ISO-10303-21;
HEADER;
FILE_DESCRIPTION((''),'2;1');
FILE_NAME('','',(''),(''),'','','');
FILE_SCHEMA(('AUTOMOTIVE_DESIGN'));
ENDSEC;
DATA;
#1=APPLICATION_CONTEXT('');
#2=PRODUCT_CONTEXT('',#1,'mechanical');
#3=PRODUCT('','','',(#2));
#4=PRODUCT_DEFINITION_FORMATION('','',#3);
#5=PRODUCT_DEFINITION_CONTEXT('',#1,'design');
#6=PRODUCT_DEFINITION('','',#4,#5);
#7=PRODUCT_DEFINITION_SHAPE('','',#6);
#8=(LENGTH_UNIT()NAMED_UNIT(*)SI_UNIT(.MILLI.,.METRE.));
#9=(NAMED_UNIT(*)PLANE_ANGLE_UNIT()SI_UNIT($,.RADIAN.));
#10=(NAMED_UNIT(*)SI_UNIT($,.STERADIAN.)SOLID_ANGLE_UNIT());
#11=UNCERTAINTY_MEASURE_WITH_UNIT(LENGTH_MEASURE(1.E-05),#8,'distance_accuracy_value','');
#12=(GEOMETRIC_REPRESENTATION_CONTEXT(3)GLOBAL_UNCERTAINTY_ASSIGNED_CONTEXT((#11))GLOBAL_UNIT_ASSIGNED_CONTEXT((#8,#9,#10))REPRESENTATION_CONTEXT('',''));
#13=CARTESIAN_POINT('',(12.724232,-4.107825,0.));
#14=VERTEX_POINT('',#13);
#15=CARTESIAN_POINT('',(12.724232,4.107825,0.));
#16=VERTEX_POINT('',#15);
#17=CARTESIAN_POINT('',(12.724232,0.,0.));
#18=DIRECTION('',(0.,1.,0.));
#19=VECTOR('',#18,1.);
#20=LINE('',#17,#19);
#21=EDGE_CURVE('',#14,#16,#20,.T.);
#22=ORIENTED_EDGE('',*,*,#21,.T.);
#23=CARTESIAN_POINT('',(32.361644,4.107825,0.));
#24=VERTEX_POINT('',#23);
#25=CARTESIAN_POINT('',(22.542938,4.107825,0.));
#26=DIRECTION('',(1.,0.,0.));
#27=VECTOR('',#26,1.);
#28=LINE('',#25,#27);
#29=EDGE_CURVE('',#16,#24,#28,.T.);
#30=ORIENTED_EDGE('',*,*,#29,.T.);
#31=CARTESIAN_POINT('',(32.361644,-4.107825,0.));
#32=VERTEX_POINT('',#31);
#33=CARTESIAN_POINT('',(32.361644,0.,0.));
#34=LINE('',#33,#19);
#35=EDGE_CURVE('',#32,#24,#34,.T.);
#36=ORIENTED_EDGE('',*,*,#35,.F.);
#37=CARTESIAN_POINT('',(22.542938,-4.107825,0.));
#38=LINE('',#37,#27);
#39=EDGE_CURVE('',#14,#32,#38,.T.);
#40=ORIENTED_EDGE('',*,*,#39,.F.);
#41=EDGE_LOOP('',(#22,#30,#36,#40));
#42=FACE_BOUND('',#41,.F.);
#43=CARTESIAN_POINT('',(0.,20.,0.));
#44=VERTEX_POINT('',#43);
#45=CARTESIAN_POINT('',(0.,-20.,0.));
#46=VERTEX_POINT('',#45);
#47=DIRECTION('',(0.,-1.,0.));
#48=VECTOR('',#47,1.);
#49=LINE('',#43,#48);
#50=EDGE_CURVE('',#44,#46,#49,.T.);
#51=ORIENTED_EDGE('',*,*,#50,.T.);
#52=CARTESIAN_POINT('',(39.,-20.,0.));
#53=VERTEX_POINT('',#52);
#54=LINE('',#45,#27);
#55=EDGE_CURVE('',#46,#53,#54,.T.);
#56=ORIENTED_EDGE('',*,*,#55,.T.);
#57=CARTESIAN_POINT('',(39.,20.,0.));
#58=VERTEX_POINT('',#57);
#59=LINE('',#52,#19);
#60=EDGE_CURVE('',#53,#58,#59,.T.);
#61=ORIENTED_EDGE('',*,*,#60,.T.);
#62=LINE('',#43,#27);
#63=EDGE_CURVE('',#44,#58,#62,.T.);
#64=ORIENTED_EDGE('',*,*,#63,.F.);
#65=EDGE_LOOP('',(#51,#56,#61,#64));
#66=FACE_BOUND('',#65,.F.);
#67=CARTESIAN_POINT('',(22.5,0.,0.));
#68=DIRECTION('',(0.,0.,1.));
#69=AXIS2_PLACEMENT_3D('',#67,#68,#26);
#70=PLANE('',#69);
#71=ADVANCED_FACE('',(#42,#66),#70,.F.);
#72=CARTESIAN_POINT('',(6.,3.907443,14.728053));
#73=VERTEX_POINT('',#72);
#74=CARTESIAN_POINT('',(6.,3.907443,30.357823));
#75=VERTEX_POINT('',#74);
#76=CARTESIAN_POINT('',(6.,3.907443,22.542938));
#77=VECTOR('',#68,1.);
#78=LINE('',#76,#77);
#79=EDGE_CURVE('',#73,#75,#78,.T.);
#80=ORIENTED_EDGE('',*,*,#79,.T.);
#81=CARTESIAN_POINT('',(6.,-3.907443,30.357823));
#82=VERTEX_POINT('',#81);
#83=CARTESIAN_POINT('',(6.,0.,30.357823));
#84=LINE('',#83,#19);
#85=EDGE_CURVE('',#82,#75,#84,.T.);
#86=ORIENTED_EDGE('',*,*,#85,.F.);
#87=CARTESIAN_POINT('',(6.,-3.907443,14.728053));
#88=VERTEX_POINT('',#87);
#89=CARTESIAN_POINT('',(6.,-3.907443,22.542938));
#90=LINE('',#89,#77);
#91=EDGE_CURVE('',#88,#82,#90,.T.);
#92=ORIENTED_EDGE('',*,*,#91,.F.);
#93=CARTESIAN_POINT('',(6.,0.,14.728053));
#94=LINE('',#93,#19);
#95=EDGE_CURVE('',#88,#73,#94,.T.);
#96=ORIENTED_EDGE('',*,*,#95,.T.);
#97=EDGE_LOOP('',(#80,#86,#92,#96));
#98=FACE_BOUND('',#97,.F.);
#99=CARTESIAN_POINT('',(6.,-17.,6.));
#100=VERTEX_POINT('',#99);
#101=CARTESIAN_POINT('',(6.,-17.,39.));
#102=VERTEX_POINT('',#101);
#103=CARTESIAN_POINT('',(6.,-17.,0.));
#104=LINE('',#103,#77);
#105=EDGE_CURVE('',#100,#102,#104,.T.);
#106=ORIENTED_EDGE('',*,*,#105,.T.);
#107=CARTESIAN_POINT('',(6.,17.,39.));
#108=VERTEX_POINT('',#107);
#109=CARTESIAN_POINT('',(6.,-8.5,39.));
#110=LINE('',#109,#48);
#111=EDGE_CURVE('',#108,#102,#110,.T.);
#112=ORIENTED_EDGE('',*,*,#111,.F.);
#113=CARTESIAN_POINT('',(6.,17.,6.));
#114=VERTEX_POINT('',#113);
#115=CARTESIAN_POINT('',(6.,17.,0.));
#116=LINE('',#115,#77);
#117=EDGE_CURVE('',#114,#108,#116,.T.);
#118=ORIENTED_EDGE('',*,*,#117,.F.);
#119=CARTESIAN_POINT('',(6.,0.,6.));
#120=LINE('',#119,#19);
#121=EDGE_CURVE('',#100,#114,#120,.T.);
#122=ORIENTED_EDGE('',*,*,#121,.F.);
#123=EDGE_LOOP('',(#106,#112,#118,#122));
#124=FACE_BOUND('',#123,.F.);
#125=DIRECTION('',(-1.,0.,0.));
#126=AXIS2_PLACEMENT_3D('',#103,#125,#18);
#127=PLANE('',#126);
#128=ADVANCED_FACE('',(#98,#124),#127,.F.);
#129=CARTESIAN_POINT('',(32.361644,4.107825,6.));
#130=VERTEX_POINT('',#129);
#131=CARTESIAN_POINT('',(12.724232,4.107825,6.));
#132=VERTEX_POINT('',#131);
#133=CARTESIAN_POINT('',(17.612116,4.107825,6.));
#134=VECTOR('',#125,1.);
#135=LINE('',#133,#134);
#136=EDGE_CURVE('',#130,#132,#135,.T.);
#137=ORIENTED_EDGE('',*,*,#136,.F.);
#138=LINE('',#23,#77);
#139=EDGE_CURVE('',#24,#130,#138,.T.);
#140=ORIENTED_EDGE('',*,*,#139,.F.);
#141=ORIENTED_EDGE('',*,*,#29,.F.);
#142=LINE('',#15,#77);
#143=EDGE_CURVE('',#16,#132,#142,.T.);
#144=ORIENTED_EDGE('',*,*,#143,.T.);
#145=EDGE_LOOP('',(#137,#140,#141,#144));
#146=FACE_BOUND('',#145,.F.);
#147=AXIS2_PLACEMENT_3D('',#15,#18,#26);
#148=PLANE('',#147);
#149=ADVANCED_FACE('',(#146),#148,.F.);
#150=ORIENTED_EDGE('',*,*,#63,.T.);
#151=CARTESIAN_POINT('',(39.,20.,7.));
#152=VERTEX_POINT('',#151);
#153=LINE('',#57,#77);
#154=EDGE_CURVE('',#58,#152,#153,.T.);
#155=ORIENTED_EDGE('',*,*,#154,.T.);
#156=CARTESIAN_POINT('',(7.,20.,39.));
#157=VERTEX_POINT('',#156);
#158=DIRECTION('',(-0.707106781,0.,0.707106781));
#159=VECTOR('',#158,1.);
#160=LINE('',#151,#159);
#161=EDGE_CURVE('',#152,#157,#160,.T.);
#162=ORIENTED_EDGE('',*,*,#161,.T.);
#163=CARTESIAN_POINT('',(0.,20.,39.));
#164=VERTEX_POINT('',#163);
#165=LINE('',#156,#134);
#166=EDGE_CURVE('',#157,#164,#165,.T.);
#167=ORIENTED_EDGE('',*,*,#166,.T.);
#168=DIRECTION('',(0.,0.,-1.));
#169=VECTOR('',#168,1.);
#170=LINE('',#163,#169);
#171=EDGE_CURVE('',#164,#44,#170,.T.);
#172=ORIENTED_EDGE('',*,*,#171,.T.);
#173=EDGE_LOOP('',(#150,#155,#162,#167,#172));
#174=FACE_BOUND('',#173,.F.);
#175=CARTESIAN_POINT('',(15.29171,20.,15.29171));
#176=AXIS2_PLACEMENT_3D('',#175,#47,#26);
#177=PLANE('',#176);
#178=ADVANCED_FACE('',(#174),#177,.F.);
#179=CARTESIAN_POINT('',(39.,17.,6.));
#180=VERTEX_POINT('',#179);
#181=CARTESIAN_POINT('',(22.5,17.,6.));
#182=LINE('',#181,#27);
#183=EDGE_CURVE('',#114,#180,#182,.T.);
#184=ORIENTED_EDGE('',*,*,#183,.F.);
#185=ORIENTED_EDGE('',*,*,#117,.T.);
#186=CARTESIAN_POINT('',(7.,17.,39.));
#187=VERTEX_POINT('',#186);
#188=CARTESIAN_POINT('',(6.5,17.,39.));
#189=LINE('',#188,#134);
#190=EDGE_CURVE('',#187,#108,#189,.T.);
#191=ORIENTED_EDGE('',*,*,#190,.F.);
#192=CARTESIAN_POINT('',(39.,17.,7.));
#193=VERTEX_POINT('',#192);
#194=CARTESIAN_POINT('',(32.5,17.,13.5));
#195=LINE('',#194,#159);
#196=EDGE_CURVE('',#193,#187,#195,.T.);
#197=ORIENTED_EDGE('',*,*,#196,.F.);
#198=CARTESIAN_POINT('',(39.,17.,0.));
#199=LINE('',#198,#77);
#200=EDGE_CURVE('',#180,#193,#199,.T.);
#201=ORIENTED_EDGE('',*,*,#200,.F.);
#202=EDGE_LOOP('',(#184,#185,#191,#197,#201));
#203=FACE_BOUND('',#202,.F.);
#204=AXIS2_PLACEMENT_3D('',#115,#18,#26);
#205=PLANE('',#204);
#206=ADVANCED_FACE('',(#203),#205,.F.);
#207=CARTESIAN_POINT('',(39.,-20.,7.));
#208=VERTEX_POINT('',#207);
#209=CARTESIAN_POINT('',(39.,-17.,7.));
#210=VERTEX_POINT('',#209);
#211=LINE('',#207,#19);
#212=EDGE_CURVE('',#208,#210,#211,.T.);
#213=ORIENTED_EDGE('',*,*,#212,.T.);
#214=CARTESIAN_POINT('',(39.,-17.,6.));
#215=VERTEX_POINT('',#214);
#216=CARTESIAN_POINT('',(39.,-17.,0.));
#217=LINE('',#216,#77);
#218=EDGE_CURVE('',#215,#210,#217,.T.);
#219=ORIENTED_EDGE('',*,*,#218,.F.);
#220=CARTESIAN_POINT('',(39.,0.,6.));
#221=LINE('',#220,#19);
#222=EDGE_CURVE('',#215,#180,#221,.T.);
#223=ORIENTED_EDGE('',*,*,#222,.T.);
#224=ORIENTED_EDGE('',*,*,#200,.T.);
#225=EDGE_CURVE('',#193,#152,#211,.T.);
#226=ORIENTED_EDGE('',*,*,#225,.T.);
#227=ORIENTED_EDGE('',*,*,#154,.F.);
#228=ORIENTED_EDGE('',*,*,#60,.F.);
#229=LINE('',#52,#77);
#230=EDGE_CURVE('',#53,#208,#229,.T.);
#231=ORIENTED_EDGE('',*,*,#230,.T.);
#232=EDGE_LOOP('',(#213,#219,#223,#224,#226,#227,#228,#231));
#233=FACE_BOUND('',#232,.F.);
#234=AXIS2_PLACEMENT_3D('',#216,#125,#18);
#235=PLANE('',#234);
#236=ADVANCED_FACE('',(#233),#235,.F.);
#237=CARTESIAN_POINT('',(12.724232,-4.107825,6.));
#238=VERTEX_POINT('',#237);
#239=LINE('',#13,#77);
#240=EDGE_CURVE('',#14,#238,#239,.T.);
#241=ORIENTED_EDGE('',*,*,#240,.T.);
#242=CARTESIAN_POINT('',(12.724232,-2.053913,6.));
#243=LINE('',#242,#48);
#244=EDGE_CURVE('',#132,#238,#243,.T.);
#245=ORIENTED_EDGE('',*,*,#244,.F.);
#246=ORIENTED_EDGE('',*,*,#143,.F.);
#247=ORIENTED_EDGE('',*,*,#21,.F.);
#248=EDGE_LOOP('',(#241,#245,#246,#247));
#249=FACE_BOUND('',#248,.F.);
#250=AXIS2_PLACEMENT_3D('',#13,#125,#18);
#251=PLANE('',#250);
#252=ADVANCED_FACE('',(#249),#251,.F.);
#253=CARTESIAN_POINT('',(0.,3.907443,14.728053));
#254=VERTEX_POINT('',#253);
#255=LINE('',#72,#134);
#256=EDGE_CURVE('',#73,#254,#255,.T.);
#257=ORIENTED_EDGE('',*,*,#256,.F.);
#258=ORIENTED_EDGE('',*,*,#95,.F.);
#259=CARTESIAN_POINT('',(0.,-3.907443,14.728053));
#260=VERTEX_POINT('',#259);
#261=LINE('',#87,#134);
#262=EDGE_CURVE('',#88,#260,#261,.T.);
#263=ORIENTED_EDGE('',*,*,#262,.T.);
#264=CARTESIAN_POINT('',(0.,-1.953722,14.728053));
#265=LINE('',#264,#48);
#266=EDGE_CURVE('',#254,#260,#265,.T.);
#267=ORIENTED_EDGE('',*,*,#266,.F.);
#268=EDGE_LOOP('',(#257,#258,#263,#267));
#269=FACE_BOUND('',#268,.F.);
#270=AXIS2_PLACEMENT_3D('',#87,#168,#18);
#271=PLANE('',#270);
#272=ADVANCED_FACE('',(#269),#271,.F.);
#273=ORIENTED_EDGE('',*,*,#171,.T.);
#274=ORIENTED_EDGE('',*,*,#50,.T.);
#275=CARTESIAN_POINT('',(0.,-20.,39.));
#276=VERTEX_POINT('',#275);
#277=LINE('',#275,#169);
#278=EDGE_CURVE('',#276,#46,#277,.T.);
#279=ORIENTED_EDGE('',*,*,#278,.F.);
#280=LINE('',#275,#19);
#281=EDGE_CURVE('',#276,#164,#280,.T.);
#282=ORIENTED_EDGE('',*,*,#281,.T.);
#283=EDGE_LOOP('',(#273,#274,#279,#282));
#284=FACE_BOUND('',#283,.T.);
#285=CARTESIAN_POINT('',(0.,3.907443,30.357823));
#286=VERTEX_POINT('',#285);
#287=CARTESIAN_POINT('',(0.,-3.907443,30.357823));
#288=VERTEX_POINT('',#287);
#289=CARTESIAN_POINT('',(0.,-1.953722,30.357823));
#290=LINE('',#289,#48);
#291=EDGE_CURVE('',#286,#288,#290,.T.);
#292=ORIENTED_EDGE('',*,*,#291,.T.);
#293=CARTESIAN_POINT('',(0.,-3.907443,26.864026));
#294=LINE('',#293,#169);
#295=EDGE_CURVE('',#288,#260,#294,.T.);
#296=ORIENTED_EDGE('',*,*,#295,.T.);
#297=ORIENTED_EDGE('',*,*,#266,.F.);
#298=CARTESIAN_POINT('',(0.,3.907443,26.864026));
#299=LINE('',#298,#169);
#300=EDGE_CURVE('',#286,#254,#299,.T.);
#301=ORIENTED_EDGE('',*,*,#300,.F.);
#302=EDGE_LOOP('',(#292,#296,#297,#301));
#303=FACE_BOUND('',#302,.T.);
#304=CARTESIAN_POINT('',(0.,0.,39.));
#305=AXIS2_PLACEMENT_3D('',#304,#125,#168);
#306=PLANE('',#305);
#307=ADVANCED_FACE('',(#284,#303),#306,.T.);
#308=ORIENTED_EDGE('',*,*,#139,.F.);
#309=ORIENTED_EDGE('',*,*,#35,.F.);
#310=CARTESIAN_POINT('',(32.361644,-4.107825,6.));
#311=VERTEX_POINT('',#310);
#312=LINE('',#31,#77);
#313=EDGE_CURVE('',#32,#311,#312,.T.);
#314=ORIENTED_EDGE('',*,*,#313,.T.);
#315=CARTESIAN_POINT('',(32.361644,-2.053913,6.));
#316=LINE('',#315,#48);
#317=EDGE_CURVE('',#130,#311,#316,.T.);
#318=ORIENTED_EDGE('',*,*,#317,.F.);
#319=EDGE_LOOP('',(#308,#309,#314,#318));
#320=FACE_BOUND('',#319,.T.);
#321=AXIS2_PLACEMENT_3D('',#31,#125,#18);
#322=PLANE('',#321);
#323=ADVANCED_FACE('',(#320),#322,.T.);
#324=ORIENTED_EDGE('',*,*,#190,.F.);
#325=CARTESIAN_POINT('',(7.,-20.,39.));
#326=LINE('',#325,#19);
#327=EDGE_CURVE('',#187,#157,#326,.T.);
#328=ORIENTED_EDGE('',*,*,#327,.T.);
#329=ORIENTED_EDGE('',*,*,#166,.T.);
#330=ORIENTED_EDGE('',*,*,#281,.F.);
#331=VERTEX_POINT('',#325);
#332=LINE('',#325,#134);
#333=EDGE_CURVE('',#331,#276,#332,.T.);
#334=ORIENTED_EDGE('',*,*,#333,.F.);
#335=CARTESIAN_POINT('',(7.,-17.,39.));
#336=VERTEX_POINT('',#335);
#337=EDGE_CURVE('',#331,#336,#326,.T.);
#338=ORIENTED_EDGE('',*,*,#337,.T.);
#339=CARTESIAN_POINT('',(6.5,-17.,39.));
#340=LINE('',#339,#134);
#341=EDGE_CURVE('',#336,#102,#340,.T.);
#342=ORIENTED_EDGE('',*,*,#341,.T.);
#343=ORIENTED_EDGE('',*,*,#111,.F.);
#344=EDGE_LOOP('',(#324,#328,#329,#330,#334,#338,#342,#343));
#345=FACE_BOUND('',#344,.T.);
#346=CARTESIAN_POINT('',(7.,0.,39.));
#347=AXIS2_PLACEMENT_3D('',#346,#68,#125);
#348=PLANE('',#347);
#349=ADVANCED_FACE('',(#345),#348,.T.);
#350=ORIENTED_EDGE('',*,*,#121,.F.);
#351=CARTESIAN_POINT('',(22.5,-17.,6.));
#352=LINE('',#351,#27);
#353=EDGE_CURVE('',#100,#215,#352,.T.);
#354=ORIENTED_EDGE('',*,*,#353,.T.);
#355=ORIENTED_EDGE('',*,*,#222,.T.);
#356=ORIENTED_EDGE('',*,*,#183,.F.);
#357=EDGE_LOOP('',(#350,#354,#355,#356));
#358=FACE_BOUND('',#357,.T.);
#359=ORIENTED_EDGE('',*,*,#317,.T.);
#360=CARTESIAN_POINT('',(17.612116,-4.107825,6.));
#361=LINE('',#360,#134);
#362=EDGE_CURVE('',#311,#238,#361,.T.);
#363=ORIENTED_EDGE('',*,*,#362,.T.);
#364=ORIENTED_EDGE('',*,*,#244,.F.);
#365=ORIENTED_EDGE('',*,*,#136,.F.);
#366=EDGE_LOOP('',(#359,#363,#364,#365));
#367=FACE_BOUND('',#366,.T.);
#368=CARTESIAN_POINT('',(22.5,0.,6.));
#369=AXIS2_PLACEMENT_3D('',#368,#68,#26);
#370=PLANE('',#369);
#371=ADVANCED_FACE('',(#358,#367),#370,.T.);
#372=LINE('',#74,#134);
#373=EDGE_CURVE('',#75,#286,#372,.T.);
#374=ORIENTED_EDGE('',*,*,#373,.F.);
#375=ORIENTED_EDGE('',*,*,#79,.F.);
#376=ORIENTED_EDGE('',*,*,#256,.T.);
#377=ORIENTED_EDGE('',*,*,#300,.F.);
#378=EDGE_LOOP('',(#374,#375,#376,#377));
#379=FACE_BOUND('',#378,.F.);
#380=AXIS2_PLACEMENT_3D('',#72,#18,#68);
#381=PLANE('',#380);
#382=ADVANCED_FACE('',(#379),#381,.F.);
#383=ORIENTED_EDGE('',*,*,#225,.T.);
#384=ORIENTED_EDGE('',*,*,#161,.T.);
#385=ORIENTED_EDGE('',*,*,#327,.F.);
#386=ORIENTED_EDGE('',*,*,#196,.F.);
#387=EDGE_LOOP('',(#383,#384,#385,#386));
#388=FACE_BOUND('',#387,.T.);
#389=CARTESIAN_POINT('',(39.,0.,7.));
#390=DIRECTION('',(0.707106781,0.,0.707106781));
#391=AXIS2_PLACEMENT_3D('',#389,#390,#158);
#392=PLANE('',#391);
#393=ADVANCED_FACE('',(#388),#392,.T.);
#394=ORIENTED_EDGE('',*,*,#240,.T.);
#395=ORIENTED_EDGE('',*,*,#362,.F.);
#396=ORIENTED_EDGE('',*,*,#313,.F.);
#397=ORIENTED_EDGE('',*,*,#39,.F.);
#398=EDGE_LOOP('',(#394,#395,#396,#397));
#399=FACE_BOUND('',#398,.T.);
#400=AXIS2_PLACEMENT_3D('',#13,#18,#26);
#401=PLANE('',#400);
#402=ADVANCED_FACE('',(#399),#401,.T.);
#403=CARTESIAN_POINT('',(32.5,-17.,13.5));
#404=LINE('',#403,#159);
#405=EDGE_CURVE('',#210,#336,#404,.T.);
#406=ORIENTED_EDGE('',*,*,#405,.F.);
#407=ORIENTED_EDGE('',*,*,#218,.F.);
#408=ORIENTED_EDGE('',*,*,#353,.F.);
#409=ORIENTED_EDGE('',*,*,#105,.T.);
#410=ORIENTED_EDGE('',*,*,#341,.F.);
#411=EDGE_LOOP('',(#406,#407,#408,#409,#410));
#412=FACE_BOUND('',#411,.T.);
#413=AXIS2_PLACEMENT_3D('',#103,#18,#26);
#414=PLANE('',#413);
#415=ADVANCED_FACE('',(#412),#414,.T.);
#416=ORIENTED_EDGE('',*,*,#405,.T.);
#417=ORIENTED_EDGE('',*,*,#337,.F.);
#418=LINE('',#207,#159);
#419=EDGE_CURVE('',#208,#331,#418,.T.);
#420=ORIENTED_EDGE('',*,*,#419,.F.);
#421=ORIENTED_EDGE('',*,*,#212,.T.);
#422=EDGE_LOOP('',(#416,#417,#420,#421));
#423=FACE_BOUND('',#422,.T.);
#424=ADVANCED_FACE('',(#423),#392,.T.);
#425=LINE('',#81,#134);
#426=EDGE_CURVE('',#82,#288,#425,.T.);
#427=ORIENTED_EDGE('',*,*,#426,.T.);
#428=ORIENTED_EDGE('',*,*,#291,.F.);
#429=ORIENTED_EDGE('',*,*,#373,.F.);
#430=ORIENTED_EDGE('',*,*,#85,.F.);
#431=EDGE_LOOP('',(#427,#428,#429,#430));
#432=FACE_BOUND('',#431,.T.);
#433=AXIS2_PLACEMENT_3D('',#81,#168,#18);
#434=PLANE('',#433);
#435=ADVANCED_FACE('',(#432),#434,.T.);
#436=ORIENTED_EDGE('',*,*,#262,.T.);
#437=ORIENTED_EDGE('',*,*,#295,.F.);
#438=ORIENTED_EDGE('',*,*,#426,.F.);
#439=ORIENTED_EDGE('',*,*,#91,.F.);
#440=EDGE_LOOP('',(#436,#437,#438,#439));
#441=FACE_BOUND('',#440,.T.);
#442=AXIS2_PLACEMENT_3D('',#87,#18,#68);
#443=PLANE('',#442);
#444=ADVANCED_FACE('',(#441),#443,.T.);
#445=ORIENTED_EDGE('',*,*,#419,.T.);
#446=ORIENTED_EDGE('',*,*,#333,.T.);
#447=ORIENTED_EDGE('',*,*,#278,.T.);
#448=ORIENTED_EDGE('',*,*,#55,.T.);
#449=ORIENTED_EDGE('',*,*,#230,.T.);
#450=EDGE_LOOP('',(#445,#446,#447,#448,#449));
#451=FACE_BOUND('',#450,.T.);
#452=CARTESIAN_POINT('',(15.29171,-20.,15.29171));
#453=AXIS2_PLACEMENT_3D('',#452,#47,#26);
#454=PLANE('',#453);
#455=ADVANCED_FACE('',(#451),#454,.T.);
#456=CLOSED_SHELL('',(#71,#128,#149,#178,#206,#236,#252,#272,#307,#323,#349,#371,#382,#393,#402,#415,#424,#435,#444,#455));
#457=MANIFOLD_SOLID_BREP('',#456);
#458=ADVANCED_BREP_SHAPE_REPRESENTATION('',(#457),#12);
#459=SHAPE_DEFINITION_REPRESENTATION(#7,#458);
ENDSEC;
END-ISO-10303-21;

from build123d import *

# Parameters (mm, degrees)
F1_DEPTH = 20
F2_W     = 33
F2_H     = 34
F3_DEPTH = 39.001
F4_DEPTH = 6
F5_W     = 7.814886
F5_H     = 15.629771
F6_DEPTH = 25
F7_W     = 19.637413
F7_H     = 8.21565
F8_DEPTH = 39.001


with BuildPart() as f1:
    # F0 (on Front) → F1 (new body, symmetric)
    with BuildSketch(Plane.XZ):
        Polygon((0, 39), (0, 0), (39, 0), (39, 7), (7, 39), align=None)
    extrude(amount=F1_DEPTH, both=True)

    # F2 (on Top) → F3 (cut, through all)
    with BuildSketch(Plane.XY):
        with Locations((22.5, 0)):
            Rectangle(F2_W, F2_H)
    extrude(amount=F3_DEPTH, mode=Mode.SUBTRACT)

    # F2 (on Top) → F4 (join)
    with BuildSketch(Plane.XY):
        with Locations((22.5, 0)):
            Rectangle(F2_W, F2_H)
    extrude(amount=F4_DEPTH)

    # F5 (on face) → F6 (cut)
    with BuildSketch(Plane.YZ.offset(6)):
        with Locations((0, 22.542938)):
            Rectangle(F5_W, F5_H)
    extrude(amount=-F6_DEPTH, mode=Mode.SUBTRACT)

    # F7 (on Top) → F8 (cut, through all)
    with BuildSketch(Plane.XY):
        with Locations((22.542938, 0)):
            Rectangle(F7_W, F7_H)
    extrude(amount=F8_DEPTH, mode=Mode.SUBTRACT)


solid = f1.part
